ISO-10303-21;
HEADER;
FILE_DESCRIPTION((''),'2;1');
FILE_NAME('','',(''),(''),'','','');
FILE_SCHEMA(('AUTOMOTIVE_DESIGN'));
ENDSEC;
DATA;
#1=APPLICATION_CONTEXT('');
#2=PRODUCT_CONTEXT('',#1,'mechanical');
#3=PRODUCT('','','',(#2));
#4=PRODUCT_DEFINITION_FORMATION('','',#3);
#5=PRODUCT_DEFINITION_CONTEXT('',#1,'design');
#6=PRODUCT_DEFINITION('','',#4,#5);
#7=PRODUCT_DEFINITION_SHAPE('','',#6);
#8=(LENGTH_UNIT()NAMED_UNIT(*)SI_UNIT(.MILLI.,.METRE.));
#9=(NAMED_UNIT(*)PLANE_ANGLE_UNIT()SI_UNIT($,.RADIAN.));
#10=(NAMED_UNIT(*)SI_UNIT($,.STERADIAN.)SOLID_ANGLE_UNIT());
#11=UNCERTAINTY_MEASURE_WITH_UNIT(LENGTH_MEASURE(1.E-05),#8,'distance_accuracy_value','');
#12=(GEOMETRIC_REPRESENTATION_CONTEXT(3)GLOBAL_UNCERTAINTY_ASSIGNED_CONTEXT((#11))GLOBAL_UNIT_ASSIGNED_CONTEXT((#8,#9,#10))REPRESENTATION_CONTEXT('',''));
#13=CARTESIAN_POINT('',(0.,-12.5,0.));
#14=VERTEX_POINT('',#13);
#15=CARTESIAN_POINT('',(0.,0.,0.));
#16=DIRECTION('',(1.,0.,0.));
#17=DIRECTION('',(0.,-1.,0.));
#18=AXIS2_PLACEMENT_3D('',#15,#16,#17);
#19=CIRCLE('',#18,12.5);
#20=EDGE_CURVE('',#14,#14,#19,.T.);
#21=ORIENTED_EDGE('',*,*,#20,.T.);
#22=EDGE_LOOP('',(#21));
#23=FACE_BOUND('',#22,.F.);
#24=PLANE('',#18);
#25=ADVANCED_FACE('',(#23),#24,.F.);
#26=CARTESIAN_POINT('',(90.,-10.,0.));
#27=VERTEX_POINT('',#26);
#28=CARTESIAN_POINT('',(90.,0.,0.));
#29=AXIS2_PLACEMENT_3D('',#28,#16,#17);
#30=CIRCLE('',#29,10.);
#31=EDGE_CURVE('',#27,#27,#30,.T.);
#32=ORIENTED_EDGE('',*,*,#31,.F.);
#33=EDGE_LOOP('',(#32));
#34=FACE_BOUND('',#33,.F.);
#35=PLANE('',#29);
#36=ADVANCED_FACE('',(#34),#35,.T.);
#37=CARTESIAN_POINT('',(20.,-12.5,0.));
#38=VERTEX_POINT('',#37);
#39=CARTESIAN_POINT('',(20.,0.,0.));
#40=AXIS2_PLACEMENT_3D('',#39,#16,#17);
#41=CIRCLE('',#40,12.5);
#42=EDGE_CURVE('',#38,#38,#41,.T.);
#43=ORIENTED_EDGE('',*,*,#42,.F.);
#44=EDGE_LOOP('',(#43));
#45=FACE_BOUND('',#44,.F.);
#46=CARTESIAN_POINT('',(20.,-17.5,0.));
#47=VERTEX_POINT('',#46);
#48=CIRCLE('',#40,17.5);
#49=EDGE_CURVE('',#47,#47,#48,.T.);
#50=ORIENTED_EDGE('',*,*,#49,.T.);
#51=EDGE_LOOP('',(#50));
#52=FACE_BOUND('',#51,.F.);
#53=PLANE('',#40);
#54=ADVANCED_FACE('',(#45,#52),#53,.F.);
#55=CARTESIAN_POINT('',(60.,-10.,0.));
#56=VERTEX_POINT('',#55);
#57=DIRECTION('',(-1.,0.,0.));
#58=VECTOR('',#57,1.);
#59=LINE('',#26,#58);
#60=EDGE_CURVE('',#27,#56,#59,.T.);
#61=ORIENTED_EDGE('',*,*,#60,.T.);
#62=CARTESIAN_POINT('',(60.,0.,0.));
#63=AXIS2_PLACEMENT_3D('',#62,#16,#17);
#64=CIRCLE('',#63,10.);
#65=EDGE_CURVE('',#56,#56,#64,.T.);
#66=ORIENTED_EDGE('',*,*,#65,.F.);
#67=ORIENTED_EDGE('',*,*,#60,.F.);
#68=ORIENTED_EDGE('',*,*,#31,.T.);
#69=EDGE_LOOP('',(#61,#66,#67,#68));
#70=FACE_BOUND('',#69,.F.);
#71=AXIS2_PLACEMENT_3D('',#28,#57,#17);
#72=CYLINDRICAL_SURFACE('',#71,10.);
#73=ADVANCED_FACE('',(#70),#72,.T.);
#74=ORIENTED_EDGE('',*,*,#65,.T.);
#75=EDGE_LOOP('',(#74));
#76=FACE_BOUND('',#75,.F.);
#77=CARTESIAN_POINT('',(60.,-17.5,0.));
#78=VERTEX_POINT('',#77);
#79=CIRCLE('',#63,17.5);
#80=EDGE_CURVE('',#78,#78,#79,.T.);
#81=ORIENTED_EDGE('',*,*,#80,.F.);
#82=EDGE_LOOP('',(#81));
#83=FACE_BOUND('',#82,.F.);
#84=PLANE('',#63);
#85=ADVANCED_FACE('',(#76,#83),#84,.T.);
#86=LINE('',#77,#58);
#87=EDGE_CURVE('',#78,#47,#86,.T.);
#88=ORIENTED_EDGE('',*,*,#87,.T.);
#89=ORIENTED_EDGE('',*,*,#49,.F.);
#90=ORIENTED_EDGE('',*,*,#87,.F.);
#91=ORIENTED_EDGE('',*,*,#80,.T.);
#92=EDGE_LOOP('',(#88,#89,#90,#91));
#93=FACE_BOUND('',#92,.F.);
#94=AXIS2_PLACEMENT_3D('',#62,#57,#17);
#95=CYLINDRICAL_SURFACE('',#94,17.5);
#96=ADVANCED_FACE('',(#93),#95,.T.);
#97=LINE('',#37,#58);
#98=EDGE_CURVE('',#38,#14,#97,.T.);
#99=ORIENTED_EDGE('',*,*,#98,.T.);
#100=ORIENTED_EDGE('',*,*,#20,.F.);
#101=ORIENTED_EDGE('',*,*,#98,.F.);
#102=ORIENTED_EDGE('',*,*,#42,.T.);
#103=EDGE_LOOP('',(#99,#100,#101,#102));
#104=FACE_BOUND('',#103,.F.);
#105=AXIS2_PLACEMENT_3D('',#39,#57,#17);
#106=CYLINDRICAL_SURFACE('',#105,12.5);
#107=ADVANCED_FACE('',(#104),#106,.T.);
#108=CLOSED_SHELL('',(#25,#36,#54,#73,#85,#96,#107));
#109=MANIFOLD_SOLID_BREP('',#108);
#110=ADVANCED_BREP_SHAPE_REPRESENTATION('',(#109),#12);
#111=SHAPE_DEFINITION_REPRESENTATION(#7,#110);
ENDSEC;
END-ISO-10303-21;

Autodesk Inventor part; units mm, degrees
ref_plane "YZ Plane" through (0, 0, 0) normal (1, 0, 0) x (0, 1, 0)
ref_plane "XZ Plane" through (0, 0, 0) normal (0, 1, 0) x (-1, 0, 0)
ref_plane "XY Plane" through (0, 0, 0) normal (0, 0, 1) x (1, 0, 0)
sketch "Sketch1" plane through (0, 0, 0) normal (0, 0, 1) x (1, 0, 0)
  line L0 (0, 0) -> (90, 0)
  line L1 (90, 0) -> (90, 10)
  line L2 (90, 10) -> (60, 10)
  line L3 (60, 10) -> (60, 17.5)
  line L4 (60, 17.5) -> (20, 17.5)
  line L5 (20, 17.5) -> (20, 12.5)
  line L6 (20, 12.5) -> (0, 12.5)
  line L7 (0, 12.5) -> (0, 0)
  dimension "d0" = 90
  dimension "d1" = 40
  dimension "d2" = 20
  dimension "d3" = 20
  dimension "d4" = 35
  dimension "d5" = 25
revolve "Revolution1" add sketch "Sketch1" angle 360 mid plane about axis through (0, 0, 0) along (1, 0, 0)
